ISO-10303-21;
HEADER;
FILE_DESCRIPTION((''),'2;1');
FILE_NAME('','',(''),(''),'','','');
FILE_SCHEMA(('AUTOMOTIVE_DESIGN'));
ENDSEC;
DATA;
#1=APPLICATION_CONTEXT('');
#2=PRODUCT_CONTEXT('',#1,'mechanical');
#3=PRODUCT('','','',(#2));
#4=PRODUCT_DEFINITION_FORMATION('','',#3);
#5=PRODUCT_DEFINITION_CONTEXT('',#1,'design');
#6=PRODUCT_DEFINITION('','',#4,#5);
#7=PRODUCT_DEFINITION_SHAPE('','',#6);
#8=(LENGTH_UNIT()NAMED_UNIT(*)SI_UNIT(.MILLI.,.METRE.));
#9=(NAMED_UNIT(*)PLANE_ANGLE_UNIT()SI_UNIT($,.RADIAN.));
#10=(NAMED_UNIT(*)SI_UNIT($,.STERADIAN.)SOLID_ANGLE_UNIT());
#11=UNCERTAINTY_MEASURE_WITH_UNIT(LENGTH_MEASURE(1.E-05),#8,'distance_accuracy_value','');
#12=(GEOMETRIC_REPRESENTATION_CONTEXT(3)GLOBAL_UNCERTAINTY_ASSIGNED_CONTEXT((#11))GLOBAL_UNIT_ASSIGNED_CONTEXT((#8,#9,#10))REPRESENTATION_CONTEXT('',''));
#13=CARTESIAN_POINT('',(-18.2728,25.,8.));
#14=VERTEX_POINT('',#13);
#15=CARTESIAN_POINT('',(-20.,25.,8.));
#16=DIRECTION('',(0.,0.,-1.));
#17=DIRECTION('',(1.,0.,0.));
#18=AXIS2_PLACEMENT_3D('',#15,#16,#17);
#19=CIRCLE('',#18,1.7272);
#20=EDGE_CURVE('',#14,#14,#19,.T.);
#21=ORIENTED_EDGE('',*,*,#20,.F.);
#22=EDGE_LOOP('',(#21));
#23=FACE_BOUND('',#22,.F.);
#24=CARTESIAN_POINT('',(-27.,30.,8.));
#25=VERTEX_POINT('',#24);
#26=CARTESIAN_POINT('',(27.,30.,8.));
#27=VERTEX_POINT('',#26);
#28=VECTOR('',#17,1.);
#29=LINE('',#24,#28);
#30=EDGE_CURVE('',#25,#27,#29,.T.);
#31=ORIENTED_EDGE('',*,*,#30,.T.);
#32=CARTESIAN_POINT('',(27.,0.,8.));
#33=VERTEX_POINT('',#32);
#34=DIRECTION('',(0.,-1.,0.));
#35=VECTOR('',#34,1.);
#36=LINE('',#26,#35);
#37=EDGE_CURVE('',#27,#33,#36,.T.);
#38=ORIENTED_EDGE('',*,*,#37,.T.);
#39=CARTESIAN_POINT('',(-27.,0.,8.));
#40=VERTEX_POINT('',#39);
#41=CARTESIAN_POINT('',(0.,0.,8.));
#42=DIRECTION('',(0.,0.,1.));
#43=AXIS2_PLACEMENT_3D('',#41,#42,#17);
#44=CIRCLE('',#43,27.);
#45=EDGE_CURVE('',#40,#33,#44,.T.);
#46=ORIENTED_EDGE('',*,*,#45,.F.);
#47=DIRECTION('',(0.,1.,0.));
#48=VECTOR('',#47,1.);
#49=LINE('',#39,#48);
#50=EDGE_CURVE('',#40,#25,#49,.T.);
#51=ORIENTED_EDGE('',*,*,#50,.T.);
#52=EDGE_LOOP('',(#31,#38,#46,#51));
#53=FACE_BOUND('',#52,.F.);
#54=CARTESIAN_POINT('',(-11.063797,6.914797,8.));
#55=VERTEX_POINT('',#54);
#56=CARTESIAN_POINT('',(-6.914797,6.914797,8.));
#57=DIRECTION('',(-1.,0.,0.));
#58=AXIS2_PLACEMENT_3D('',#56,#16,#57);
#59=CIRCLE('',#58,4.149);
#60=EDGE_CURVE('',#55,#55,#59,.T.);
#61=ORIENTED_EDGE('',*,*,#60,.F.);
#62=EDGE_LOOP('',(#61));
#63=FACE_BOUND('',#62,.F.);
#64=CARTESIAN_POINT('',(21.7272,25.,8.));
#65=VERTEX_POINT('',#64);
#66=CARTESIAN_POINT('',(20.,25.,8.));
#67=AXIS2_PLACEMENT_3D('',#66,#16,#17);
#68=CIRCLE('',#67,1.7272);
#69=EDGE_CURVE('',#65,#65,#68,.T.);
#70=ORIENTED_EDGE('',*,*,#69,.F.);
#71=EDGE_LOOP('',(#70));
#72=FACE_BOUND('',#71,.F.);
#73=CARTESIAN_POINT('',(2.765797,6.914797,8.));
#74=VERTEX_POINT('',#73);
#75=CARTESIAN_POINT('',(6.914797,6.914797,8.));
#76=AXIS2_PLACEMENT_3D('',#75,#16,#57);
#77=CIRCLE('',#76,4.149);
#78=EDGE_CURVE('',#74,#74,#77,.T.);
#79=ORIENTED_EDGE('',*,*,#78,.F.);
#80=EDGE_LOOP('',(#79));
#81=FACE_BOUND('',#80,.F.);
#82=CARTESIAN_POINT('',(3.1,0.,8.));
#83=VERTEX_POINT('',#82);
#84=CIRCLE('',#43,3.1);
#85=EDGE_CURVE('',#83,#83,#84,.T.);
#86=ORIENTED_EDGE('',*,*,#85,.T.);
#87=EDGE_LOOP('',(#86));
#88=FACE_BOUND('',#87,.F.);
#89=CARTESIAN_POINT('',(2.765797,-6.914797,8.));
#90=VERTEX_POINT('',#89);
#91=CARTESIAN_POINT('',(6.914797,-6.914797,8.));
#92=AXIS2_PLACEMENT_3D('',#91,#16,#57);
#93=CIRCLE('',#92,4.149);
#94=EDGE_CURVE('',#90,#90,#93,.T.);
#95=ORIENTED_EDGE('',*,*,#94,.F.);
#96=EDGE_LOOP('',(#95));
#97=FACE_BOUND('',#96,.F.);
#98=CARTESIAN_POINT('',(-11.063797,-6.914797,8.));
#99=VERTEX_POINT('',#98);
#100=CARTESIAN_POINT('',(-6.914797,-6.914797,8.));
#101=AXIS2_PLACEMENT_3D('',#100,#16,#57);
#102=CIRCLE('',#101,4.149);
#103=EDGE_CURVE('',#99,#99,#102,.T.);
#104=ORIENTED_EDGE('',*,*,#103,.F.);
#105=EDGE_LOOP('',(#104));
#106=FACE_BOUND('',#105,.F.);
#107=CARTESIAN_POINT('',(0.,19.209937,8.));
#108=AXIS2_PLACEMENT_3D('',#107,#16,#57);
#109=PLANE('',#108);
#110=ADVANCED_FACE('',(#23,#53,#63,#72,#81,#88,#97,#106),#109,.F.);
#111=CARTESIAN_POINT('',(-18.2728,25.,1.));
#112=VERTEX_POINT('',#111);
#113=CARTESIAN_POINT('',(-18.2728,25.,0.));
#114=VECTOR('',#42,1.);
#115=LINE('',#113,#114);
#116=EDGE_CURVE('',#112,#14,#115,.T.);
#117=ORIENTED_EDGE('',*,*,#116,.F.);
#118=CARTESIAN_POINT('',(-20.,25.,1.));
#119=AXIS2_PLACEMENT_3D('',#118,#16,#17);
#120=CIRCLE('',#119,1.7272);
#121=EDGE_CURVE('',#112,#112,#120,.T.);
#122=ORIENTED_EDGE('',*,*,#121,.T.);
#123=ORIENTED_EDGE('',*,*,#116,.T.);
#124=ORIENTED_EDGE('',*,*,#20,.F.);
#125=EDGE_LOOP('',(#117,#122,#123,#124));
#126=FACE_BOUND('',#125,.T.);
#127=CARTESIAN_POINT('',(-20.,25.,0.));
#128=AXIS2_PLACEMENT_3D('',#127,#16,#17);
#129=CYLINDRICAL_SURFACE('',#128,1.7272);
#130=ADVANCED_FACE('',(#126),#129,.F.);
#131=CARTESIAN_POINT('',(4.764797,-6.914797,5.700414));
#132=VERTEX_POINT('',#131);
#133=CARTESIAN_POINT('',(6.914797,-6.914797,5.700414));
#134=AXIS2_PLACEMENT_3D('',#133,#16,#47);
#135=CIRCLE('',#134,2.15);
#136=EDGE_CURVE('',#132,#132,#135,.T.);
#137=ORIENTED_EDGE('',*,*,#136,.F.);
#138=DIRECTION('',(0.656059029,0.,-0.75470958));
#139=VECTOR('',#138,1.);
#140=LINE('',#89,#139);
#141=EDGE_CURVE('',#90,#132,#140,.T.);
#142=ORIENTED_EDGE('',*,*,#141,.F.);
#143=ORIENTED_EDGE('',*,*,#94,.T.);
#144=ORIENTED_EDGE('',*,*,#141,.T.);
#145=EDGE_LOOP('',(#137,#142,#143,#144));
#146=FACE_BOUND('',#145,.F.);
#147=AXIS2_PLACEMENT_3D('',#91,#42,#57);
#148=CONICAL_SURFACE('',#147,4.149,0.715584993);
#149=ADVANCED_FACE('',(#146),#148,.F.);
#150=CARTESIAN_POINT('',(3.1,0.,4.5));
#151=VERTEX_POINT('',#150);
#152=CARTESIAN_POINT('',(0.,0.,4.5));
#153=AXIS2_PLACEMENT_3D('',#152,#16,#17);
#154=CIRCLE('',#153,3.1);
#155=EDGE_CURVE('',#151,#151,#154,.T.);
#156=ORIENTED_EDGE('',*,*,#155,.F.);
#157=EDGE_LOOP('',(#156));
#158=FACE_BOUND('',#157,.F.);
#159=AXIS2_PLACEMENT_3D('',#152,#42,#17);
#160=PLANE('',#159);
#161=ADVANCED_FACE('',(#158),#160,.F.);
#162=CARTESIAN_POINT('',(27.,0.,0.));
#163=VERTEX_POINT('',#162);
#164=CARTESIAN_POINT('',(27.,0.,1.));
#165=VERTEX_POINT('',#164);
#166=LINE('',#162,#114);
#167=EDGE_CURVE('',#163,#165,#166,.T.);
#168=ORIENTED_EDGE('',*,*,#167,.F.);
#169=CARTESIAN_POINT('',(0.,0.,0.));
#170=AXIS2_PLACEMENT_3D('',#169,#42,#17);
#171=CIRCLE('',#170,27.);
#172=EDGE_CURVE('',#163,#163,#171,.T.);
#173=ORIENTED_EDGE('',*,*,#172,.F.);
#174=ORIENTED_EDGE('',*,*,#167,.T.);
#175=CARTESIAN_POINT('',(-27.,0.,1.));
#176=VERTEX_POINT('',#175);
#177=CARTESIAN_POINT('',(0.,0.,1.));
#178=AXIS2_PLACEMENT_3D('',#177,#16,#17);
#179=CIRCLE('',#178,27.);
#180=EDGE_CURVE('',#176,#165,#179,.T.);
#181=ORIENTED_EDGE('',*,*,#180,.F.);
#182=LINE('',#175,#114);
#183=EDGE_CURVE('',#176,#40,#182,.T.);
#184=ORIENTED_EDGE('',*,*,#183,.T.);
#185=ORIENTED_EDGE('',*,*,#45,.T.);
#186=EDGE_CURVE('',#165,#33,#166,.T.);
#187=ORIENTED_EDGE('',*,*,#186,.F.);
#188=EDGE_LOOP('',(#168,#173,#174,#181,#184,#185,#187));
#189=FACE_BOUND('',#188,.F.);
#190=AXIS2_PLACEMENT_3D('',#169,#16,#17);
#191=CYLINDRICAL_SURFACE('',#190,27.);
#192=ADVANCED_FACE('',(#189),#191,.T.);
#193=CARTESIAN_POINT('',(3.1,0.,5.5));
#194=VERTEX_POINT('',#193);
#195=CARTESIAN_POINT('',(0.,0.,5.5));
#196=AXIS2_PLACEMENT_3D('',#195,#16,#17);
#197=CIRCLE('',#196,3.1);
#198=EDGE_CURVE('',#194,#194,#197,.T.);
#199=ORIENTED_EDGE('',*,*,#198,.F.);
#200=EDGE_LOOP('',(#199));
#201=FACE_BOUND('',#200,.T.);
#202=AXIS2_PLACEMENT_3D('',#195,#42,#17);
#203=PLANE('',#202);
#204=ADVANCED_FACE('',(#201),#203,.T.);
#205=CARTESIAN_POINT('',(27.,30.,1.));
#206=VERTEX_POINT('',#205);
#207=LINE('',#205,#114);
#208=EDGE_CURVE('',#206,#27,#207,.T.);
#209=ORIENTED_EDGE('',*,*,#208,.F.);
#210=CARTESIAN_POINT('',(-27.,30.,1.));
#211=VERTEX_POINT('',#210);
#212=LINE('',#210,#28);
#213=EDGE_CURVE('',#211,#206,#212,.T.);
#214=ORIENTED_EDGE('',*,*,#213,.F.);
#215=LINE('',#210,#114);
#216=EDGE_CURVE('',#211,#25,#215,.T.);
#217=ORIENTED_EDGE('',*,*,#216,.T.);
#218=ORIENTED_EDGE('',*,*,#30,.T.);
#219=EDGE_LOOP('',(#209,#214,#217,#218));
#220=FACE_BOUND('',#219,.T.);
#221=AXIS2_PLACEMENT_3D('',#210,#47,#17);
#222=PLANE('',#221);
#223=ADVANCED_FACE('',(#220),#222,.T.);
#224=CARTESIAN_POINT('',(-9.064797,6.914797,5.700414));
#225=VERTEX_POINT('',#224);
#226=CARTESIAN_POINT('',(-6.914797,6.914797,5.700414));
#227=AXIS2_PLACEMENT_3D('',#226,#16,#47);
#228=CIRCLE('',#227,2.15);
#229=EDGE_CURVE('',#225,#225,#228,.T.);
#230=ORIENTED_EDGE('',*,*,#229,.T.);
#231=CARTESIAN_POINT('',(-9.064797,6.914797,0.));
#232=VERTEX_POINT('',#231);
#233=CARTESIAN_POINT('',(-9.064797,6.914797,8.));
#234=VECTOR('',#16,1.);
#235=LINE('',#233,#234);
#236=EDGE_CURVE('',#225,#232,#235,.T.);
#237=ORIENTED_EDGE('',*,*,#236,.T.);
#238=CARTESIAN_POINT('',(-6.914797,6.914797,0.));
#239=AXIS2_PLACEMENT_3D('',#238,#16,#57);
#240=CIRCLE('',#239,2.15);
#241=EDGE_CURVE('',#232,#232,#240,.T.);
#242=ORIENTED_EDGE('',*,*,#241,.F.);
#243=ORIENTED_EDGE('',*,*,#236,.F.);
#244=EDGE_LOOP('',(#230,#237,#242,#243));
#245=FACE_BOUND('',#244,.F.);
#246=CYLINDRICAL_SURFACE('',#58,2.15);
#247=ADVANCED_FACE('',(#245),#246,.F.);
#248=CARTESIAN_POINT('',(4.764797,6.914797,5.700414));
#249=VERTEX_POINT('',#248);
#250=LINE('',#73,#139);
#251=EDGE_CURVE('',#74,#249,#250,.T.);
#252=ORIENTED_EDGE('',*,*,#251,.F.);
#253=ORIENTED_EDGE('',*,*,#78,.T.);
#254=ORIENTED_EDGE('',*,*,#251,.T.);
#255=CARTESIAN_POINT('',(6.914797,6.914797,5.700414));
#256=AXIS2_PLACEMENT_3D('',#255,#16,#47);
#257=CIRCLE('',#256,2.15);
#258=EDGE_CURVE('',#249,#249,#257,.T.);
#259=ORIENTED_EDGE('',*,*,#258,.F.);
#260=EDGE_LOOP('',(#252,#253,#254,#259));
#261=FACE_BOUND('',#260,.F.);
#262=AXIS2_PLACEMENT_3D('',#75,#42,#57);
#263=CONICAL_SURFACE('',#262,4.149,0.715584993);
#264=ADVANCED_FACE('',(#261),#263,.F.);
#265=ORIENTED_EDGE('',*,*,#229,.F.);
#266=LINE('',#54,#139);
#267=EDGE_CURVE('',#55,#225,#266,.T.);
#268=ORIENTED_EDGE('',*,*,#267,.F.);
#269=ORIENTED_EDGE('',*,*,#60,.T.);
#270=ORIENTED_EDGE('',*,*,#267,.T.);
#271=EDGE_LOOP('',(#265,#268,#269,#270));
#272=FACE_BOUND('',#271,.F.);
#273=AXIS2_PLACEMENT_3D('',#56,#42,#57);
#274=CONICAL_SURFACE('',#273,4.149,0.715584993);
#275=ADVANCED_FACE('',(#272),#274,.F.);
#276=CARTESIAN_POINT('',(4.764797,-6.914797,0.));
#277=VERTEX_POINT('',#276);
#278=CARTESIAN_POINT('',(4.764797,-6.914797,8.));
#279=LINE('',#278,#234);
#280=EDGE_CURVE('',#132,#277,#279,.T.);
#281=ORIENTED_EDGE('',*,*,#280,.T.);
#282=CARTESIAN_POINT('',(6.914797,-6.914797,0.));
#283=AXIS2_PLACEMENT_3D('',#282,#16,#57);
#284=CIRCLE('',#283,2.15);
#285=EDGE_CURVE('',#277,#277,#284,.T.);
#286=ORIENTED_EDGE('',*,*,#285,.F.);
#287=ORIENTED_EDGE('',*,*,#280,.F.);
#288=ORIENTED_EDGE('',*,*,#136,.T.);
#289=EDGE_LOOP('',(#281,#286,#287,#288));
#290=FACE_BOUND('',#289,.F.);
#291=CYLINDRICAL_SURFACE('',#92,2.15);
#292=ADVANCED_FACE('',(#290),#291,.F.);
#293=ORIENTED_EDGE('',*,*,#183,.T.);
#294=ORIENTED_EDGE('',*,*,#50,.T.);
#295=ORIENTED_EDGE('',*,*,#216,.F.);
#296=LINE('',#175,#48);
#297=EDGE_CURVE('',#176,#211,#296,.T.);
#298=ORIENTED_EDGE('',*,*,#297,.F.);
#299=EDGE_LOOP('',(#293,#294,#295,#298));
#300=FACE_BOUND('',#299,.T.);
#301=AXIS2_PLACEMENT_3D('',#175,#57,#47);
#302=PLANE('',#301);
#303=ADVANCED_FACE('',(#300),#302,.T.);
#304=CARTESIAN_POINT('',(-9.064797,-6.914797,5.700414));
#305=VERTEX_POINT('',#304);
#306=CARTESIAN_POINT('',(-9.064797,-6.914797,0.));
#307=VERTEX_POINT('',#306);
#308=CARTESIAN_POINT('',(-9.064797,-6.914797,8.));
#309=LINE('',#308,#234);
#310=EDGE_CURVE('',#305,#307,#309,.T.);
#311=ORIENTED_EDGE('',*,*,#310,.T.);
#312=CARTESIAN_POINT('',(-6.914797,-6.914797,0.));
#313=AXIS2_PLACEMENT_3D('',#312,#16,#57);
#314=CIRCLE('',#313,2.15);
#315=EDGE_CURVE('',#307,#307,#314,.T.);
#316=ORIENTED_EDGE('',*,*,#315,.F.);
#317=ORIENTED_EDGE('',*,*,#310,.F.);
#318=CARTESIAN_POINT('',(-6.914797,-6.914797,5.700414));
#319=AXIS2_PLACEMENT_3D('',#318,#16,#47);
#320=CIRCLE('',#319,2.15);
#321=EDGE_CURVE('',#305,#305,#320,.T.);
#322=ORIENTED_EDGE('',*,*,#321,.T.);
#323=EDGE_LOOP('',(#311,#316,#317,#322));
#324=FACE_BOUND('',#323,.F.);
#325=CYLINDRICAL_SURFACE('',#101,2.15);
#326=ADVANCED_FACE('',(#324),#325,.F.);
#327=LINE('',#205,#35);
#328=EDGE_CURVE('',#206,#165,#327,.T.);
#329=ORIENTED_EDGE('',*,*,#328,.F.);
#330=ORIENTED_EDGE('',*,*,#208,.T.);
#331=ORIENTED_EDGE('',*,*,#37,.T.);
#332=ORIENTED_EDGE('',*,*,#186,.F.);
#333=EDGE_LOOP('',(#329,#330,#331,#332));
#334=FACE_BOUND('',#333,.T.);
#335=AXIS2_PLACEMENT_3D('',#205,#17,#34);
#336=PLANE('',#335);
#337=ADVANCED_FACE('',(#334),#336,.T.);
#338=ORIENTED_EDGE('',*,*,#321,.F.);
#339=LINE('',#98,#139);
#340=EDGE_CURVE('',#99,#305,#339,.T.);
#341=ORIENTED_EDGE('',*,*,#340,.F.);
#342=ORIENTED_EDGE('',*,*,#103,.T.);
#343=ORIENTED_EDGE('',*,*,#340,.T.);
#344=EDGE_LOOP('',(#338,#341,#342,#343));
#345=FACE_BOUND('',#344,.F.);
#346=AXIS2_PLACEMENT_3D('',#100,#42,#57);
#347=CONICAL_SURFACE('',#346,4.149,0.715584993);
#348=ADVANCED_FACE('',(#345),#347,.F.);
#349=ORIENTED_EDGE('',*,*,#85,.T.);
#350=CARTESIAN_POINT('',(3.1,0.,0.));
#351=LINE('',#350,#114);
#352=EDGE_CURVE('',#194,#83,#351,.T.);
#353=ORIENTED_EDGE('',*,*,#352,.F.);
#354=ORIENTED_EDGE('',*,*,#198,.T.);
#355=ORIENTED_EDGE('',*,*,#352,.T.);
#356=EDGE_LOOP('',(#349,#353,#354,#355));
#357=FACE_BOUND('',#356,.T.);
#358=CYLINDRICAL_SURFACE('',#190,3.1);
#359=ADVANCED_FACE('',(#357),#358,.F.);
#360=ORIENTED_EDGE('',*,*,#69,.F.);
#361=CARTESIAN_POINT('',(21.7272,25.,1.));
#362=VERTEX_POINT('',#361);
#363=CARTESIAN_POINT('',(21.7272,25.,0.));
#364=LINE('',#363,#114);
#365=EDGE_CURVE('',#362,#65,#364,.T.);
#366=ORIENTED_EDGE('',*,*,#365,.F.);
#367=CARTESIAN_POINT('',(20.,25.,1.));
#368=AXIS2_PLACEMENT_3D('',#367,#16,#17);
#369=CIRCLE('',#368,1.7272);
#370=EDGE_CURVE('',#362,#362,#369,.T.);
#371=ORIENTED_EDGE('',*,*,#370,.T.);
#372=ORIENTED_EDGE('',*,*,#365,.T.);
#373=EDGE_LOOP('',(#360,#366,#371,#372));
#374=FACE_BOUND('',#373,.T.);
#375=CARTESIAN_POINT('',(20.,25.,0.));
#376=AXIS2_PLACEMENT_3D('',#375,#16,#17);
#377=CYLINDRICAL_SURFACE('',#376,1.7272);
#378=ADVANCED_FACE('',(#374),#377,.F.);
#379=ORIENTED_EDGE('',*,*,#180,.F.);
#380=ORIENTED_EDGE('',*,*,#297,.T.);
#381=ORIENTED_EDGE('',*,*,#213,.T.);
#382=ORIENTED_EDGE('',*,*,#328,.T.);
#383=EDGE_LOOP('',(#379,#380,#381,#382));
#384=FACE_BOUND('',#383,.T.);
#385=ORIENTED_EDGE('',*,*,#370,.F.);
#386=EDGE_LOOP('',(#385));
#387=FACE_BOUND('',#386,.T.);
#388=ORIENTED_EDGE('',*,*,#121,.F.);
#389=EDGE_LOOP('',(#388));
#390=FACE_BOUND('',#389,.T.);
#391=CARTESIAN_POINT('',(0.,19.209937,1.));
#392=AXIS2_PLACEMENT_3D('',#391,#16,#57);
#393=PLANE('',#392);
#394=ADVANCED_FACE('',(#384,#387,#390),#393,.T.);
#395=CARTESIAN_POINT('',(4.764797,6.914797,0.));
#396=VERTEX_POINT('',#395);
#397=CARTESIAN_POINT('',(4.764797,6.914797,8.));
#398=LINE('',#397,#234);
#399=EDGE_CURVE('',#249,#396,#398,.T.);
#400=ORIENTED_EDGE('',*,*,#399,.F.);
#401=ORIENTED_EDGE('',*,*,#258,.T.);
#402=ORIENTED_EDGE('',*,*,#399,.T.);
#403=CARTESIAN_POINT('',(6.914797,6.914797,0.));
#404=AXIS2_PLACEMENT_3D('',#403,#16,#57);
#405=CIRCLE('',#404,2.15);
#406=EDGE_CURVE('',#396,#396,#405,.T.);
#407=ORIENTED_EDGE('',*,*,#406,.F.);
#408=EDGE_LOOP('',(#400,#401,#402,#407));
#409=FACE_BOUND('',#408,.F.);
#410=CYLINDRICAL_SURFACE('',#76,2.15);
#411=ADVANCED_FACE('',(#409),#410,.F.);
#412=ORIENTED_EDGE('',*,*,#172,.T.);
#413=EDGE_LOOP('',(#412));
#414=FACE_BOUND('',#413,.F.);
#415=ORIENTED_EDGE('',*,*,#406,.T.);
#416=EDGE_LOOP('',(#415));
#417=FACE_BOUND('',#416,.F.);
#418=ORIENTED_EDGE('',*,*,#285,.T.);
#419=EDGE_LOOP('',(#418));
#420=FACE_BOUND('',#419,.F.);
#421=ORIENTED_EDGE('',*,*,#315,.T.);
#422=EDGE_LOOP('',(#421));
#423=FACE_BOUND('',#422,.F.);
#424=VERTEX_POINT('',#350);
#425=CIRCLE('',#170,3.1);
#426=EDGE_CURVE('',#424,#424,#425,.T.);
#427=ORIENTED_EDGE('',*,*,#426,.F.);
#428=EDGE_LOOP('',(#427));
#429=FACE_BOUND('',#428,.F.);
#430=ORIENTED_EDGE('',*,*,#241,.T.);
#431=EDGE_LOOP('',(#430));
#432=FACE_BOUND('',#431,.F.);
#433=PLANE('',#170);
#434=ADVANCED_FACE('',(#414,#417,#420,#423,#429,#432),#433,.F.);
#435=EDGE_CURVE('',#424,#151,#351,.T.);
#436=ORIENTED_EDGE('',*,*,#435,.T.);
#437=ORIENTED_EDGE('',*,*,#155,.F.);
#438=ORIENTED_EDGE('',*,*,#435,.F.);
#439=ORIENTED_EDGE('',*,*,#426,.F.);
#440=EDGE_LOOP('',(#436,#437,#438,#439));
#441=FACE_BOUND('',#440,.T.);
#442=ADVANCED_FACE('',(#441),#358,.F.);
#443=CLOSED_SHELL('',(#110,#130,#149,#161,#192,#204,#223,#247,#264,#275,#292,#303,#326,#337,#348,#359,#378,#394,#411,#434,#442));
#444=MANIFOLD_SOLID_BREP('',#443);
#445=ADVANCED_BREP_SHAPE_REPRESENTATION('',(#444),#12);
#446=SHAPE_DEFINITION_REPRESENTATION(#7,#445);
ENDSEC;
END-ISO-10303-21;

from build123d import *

# Parameters (mm, degrees)
SKETCH008_R      = 27
SKETCH008_R_2    = 3.1
PAD007_DEPTH     = 8
HOLE_D           = 4.3
HOLE_CSINK_D     = 8.298
HOLE_CSINK_ANGLE = 82
SKETCH075_R      = 4
PAD048_DEPTH     = 1
PAD054_DEPTH     = 7
SKETCH089_R      = 1.7272
POCKET028_DEPTH  = 8.001


with BuildPart() as part:
    # Sketch008 → Pad007 (new body)
    with BuildSketch(Plane.XY):
        Circle(SKETCH008_R)
        Circle(SKETCH008_R_2, mode=Mode.SUBTRACT)
    extrude(amount=PAD007_DEPTH)

    # Hole (through all)
    with Locations(Plane.XY.offset(8)):
        with Locations((-6.914797, 6.914797), (6.914797, 6.914797), (6.914797, -6.914797), (-6.914797, -6.914797)):
            CounterSinkHole(HOLE_D / 2, HOLE_CSINK_D / 2, counter_sink_angle=HOLE_CSINK_ANGLE)

    # Sketch075 → Pad048 (join)
    with BuildSketch(Plane.XY.offset(4.5)):
        Circle(SKETCH075_R)
    extrude(amount=PAD048_DEPTH)

    # Sketch088 → Pad054 (join)
    with BuildSketch(Plane.XY.offset(1)):
        with BuildLine():
            Line((-27, 0), (-27, 30))
            Line((-27, 30), (27, 30))
            Line((27, 30), (27, 0))
            Line((27, 0), (26.5, 0))
            ThreePointArc((26.5, 0), (0, 26.5), (-26.5, 0))
            Line((-26.5, 0), (-27, 0))
        make_face()
    extrude(amount=PAD054_DEPTH)

    # Sketch089 → Pocket028 (cut, through all)
    with BuildSketch(Plane.XY):
        with Locations((-20, 25)):
            Circle(SKETCH089_R)
        with Locations((20, 25)):
            Circle(SKETCH089_R)
    extrude(amount=POCKET028_DEPTH, mode=Mode.SUBTRACT)


solid = part.part
